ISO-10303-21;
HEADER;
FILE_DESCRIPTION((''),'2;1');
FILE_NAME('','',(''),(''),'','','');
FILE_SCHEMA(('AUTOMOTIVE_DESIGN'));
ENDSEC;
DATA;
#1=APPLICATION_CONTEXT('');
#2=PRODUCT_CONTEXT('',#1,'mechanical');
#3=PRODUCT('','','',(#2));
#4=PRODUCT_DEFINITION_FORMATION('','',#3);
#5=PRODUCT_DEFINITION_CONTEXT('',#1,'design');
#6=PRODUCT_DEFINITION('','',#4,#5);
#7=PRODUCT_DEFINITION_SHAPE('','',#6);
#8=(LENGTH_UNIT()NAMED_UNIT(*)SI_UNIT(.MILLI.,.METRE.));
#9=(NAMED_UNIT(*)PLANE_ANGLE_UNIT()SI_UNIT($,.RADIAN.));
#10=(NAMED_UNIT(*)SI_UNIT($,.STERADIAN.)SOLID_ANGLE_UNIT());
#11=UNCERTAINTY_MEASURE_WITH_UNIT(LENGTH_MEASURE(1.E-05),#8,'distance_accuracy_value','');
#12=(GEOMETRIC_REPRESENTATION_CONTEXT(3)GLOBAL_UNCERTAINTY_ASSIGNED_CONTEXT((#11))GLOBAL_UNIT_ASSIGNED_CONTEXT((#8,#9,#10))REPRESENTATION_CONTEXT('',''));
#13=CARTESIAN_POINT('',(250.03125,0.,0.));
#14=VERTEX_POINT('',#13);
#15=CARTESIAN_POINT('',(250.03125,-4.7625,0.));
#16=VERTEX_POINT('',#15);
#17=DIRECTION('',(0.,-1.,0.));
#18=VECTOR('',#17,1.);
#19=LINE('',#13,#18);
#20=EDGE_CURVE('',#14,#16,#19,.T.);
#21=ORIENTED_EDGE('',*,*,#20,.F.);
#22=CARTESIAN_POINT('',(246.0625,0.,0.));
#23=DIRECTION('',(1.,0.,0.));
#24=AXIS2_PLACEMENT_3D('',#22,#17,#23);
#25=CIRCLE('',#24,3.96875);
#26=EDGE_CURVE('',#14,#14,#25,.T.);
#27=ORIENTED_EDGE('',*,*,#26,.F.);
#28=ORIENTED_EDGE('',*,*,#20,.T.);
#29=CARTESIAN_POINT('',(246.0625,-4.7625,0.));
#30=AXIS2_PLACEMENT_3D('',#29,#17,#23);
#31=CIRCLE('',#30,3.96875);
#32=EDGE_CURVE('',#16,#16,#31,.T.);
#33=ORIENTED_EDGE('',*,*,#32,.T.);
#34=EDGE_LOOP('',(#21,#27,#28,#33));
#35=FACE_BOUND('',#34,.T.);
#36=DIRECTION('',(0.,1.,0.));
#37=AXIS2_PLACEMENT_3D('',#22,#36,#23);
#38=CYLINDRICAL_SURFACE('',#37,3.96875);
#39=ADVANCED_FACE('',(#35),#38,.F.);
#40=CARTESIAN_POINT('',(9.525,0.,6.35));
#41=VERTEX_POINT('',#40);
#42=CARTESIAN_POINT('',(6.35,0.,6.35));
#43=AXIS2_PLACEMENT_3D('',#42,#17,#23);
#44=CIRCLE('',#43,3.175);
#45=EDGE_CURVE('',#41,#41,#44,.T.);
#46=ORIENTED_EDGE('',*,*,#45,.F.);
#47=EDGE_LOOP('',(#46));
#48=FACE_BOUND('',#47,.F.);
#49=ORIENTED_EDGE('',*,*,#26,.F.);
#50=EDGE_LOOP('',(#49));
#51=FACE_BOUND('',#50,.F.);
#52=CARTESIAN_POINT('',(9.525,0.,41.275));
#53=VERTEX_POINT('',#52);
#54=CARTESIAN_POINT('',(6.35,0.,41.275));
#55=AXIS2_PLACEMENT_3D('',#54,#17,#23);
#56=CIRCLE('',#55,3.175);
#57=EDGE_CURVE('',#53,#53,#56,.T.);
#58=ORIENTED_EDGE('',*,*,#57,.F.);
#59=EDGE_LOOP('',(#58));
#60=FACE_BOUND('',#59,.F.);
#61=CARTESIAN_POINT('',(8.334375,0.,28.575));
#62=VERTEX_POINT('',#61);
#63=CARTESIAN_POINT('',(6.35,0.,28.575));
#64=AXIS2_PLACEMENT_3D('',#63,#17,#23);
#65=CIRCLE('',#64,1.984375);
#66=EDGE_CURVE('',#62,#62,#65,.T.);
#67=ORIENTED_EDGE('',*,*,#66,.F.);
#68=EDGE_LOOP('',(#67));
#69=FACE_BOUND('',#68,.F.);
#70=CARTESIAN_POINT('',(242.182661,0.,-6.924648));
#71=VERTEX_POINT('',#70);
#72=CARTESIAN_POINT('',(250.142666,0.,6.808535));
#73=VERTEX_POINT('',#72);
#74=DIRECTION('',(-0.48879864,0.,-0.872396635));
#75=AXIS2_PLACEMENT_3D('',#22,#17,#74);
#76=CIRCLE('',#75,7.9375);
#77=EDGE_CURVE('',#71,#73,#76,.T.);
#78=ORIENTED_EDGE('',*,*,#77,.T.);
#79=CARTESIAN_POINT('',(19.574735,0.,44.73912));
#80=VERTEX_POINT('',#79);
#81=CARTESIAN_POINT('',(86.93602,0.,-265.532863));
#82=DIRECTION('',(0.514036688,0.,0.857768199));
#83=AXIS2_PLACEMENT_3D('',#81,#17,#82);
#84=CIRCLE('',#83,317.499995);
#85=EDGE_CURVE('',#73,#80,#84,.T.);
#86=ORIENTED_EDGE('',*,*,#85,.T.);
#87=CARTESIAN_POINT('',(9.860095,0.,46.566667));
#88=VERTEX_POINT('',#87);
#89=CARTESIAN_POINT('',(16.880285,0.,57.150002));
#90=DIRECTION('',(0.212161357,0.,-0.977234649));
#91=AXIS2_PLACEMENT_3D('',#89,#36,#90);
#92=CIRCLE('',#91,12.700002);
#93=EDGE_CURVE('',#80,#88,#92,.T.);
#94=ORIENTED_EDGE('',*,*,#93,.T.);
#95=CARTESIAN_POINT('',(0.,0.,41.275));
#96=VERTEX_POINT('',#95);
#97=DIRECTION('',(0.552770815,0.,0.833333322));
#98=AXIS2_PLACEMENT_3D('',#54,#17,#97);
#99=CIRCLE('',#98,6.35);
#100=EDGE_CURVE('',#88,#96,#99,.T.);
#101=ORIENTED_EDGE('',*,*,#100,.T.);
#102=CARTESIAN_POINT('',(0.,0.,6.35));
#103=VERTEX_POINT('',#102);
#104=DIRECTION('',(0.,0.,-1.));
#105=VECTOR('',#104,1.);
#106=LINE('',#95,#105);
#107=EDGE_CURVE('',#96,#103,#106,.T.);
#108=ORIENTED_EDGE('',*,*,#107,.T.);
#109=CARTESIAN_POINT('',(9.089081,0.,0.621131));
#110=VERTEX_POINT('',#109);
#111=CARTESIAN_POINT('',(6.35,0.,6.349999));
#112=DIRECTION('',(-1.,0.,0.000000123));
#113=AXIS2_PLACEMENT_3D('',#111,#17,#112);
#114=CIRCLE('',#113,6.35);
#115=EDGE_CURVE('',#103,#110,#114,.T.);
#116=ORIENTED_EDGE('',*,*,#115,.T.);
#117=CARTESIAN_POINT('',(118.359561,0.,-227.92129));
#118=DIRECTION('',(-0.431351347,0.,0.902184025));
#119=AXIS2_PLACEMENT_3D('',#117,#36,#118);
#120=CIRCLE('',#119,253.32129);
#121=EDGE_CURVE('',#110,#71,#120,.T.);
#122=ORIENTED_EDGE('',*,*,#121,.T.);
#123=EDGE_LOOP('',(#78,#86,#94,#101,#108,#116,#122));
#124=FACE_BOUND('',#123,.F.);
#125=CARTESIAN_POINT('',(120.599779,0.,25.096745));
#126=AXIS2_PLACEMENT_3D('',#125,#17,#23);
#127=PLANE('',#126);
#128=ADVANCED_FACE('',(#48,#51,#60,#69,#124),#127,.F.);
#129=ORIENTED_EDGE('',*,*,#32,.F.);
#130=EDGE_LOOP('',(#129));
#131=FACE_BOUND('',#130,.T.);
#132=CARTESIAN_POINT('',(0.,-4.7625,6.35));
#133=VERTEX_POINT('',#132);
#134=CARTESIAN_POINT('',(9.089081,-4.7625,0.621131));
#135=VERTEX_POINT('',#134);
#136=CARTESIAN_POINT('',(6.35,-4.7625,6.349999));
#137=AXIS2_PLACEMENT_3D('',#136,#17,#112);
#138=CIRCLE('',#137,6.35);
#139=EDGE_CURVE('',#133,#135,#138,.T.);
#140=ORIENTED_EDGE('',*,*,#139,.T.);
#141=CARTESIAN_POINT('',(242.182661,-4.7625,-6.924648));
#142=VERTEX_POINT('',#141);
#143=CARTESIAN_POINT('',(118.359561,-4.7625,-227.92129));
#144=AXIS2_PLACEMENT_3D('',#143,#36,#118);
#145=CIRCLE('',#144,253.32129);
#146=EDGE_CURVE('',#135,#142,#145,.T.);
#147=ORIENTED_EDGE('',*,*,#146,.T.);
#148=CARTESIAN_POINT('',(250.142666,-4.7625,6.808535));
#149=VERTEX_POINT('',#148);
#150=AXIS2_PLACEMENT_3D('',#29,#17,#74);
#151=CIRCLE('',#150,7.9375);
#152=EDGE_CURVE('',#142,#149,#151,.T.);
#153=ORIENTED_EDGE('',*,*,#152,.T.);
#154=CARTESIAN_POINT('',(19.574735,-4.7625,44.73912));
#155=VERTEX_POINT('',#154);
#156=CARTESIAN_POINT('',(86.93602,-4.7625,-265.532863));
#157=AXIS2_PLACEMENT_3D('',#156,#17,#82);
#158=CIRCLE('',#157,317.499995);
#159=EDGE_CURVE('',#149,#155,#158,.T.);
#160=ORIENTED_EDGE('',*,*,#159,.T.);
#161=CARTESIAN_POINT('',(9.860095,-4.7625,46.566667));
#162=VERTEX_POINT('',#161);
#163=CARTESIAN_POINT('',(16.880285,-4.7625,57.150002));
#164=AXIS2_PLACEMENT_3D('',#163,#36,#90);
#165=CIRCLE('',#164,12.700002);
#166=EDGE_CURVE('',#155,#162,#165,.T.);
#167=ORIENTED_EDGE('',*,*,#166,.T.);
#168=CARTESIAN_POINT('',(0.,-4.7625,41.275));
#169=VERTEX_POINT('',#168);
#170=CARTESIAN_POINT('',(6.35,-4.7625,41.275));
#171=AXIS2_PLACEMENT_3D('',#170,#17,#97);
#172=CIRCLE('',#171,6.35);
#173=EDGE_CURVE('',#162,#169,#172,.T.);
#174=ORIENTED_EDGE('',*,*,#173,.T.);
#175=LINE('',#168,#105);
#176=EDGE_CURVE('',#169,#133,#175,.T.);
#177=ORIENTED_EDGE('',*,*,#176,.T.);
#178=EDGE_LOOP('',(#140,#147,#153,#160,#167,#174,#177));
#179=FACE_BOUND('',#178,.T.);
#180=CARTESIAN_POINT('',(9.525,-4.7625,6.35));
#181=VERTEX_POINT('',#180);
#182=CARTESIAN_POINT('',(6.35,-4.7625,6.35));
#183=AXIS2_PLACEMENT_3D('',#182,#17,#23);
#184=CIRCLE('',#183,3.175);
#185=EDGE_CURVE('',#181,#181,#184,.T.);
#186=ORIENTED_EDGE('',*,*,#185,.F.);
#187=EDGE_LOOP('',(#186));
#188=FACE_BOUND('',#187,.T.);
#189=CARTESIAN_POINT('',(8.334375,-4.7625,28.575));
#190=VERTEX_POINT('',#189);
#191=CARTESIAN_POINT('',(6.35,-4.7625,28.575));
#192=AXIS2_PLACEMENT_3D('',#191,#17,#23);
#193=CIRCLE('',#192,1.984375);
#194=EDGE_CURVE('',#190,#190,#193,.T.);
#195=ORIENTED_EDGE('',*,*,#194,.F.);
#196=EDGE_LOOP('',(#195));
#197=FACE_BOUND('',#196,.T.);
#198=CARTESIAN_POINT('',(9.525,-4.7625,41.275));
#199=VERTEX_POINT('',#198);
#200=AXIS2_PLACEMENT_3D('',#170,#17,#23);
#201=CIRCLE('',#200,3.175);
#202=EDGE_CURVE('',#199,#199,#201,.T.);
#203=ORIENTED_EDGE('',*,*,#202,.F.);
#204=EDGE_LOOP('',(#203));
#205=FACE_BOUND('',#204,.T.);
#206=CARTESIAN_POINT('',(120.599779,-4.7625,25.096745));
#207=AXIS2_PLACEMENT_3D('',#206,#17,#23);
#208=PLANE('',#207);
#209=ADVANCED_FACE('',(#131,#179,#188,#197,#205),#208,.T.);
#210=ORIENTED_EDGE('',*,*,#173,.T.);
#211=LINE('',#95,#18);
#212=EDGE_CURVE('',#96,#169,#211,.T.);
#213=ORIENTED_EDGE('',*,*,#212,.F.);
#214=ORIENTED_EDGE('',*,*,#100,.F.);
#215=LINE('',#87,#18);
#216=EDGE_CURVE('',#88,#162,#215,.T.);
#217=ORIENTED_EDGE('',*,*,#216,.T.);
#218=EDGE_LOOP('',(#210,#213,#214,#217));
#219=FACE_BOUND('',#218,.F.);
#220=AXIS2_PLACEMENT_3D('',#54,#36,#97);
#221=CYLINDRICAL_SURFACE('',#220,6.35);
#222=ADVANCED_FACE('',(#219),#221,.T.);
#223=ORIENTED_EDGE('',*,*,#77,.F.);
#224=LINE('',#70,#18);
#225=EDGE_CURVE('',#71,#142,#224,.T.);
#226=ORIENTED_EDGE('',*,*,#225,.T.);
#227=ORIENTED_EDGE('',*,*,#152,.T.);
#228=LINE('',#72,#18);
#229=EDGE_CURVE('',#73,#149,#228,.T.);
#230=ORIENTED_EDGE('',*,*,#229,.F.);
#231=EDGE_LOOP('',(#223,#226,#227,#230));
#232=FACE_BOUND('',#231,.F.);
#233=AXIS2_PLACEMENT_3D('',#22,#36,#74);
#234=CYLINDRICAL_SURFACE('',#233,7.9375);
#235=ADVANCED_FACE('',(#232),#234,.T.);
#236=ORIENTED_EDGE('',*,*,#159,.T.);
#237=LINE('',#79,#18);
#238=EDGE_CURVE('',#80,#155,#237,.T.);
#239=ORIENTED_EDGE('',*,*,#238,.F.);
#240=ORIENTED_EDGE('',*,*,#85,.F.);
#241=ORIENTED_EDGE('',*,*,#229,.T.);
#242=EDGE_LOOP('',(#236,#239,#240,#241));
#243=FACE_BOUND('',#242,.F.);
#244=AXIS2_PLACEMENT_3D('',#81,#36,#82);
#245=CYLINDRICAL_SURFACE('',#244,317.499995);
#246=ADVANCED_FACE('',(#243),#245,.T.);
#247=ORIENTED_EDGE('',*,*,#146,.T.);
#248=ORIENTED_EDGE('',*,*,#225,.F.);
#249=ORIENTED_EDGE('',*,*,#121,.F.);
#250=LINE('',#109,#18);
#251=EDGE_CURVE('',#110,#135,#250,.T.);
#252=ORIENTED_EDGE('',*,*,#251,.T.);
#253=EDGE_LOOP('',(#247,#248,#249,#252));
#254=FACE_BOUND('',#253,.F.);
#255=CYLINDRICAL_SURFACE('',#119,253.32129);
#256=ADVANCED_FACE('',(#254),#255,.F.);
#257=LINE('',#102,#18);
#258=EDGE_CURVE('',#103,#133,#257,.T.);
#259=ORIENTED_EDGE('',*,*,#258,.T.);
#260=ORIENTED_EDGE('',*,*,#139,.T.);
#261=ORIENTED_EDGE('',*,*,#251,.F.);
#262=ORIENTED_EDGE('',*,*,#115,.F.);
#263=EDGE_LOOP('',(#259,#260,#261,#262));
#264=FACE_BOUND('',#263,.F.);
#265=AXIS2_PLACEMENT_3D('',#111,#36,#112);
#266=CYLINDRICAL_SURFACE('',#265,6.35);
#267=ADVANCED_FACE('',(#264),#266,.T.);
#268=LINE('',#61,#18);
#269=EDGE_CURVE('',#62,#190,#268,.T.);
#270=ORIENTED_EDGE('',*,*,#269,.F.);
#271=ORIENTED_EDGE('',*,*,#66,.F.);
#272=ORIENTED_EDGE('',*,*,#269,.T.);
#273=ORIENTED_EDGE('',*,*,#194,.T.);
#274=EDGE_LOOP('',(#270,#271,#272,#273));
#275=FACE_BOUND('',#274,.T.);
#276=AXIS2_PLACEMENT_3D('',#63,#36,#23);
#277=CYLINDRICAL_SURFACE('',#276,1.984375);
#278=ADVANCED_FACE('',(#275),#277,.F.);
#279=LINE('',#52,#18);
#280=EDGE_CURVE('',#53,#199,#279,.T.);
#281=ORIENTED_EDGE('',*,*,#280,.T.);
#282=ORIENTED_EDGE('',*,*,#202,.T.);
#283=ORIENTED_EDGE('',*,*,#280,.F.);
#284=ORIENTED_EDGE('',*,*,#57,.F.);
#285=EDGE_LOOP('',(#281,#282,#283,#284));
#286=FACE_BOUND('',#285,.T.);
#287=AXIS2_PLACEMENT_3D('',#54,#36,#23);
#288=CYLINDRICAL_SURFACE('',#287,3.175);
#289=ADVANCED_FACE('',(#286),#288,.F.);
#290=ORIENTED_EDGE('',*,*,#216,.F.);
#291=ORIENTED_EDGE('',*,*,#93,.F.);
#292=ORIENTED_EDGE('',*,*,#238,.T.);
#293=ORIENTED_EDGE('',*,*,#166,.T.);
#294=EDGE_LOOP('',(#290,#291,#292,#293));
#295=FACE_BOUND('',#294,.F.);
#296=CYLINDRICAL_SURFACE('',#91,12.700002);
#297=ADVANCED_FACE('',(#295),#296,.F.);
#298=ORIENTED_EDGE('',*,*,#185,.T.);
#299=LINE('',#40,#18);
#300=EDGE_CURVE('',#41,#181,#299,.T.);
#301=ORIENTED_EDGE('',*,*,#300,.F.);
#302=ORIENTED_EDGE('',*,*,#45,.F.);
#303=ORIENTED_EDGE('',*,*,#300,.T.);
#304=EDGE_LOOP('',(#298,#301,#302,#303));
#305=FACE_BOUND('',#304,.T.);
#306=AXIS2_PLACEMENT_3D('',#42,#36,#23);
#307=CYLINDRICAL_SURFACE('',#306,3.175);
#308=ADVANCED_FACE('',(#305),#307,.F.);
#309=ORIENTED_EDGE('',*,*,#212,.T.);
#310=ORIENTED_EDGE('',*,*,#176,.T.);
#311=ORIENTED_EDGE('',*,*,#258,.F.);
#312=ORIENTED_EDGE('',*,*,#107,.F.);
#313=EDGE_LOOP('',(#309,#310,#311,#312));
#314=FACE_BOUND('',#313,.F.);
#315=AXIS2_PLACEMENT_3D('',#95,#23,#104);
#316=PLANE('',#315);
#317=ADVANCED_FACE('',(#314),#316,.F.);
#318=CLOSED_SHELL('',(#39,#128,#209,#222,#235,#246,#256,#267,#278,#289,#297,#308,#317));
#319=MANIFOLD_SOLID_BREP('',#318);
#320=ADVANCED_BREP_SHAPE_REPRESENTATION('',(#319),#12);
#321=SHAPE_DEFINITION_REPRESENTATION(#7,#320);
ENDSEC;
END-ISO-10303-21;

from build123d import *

# Parameters (mm, degrees)
F0_R     = 3.175
F0_R_2   = 3.96875
F0_R_3   = 1.984375
F1_DEPTH = 4.7625


with BuildPart() as f1:
    # F0 (on Front) → F1 (new body)
    with BuildSketch(Plane.XZ):
        with BuildLine():
            ThreePointArc((9.860095, 46.566667), (3.347218, 46.870159), (0, 41.275))
            Line((0, 41.275), (0, 6.35))
            ThreePointArc((0, 6.35), (2.964048, 0.978051), (9.089081, 0.621131))
            ThreePointArc((9.089081, 0.621131), (126.555864, 25.267368), (242.182661, -6.924648))
            ThreePointArc((242.182661, -6.924648), (252.929822, -3.980426), (250.142666, 6.808535))
            ThreePointArc((250.142666, 6.808535), (138.474992, 47.75611), (19.574735, 44.73912))
            ThreePointArc((19.574735, 44.73912), (14.532309, 44.668934), (9.860095, 46.566667))
        make_face()
        with Locations((6.35, 6.35)):
            Circle(F0_R, mode=Mode.SUBTRACT)
        with Locations((246.0625, 0)):
            Circle(F0_R_2, mode=Mode.SUBTRACT)
        with Locations((6.35, 28.575)):
            Circle(F0_R_3, mode=Mode.SUBTRACT)
        with Locations((6.35, 41.275)):
            Circle(F0_R, mode=Mode.SUBTRACT)
    extrude(amount=F1_DEPTH)


solid = f1.part
